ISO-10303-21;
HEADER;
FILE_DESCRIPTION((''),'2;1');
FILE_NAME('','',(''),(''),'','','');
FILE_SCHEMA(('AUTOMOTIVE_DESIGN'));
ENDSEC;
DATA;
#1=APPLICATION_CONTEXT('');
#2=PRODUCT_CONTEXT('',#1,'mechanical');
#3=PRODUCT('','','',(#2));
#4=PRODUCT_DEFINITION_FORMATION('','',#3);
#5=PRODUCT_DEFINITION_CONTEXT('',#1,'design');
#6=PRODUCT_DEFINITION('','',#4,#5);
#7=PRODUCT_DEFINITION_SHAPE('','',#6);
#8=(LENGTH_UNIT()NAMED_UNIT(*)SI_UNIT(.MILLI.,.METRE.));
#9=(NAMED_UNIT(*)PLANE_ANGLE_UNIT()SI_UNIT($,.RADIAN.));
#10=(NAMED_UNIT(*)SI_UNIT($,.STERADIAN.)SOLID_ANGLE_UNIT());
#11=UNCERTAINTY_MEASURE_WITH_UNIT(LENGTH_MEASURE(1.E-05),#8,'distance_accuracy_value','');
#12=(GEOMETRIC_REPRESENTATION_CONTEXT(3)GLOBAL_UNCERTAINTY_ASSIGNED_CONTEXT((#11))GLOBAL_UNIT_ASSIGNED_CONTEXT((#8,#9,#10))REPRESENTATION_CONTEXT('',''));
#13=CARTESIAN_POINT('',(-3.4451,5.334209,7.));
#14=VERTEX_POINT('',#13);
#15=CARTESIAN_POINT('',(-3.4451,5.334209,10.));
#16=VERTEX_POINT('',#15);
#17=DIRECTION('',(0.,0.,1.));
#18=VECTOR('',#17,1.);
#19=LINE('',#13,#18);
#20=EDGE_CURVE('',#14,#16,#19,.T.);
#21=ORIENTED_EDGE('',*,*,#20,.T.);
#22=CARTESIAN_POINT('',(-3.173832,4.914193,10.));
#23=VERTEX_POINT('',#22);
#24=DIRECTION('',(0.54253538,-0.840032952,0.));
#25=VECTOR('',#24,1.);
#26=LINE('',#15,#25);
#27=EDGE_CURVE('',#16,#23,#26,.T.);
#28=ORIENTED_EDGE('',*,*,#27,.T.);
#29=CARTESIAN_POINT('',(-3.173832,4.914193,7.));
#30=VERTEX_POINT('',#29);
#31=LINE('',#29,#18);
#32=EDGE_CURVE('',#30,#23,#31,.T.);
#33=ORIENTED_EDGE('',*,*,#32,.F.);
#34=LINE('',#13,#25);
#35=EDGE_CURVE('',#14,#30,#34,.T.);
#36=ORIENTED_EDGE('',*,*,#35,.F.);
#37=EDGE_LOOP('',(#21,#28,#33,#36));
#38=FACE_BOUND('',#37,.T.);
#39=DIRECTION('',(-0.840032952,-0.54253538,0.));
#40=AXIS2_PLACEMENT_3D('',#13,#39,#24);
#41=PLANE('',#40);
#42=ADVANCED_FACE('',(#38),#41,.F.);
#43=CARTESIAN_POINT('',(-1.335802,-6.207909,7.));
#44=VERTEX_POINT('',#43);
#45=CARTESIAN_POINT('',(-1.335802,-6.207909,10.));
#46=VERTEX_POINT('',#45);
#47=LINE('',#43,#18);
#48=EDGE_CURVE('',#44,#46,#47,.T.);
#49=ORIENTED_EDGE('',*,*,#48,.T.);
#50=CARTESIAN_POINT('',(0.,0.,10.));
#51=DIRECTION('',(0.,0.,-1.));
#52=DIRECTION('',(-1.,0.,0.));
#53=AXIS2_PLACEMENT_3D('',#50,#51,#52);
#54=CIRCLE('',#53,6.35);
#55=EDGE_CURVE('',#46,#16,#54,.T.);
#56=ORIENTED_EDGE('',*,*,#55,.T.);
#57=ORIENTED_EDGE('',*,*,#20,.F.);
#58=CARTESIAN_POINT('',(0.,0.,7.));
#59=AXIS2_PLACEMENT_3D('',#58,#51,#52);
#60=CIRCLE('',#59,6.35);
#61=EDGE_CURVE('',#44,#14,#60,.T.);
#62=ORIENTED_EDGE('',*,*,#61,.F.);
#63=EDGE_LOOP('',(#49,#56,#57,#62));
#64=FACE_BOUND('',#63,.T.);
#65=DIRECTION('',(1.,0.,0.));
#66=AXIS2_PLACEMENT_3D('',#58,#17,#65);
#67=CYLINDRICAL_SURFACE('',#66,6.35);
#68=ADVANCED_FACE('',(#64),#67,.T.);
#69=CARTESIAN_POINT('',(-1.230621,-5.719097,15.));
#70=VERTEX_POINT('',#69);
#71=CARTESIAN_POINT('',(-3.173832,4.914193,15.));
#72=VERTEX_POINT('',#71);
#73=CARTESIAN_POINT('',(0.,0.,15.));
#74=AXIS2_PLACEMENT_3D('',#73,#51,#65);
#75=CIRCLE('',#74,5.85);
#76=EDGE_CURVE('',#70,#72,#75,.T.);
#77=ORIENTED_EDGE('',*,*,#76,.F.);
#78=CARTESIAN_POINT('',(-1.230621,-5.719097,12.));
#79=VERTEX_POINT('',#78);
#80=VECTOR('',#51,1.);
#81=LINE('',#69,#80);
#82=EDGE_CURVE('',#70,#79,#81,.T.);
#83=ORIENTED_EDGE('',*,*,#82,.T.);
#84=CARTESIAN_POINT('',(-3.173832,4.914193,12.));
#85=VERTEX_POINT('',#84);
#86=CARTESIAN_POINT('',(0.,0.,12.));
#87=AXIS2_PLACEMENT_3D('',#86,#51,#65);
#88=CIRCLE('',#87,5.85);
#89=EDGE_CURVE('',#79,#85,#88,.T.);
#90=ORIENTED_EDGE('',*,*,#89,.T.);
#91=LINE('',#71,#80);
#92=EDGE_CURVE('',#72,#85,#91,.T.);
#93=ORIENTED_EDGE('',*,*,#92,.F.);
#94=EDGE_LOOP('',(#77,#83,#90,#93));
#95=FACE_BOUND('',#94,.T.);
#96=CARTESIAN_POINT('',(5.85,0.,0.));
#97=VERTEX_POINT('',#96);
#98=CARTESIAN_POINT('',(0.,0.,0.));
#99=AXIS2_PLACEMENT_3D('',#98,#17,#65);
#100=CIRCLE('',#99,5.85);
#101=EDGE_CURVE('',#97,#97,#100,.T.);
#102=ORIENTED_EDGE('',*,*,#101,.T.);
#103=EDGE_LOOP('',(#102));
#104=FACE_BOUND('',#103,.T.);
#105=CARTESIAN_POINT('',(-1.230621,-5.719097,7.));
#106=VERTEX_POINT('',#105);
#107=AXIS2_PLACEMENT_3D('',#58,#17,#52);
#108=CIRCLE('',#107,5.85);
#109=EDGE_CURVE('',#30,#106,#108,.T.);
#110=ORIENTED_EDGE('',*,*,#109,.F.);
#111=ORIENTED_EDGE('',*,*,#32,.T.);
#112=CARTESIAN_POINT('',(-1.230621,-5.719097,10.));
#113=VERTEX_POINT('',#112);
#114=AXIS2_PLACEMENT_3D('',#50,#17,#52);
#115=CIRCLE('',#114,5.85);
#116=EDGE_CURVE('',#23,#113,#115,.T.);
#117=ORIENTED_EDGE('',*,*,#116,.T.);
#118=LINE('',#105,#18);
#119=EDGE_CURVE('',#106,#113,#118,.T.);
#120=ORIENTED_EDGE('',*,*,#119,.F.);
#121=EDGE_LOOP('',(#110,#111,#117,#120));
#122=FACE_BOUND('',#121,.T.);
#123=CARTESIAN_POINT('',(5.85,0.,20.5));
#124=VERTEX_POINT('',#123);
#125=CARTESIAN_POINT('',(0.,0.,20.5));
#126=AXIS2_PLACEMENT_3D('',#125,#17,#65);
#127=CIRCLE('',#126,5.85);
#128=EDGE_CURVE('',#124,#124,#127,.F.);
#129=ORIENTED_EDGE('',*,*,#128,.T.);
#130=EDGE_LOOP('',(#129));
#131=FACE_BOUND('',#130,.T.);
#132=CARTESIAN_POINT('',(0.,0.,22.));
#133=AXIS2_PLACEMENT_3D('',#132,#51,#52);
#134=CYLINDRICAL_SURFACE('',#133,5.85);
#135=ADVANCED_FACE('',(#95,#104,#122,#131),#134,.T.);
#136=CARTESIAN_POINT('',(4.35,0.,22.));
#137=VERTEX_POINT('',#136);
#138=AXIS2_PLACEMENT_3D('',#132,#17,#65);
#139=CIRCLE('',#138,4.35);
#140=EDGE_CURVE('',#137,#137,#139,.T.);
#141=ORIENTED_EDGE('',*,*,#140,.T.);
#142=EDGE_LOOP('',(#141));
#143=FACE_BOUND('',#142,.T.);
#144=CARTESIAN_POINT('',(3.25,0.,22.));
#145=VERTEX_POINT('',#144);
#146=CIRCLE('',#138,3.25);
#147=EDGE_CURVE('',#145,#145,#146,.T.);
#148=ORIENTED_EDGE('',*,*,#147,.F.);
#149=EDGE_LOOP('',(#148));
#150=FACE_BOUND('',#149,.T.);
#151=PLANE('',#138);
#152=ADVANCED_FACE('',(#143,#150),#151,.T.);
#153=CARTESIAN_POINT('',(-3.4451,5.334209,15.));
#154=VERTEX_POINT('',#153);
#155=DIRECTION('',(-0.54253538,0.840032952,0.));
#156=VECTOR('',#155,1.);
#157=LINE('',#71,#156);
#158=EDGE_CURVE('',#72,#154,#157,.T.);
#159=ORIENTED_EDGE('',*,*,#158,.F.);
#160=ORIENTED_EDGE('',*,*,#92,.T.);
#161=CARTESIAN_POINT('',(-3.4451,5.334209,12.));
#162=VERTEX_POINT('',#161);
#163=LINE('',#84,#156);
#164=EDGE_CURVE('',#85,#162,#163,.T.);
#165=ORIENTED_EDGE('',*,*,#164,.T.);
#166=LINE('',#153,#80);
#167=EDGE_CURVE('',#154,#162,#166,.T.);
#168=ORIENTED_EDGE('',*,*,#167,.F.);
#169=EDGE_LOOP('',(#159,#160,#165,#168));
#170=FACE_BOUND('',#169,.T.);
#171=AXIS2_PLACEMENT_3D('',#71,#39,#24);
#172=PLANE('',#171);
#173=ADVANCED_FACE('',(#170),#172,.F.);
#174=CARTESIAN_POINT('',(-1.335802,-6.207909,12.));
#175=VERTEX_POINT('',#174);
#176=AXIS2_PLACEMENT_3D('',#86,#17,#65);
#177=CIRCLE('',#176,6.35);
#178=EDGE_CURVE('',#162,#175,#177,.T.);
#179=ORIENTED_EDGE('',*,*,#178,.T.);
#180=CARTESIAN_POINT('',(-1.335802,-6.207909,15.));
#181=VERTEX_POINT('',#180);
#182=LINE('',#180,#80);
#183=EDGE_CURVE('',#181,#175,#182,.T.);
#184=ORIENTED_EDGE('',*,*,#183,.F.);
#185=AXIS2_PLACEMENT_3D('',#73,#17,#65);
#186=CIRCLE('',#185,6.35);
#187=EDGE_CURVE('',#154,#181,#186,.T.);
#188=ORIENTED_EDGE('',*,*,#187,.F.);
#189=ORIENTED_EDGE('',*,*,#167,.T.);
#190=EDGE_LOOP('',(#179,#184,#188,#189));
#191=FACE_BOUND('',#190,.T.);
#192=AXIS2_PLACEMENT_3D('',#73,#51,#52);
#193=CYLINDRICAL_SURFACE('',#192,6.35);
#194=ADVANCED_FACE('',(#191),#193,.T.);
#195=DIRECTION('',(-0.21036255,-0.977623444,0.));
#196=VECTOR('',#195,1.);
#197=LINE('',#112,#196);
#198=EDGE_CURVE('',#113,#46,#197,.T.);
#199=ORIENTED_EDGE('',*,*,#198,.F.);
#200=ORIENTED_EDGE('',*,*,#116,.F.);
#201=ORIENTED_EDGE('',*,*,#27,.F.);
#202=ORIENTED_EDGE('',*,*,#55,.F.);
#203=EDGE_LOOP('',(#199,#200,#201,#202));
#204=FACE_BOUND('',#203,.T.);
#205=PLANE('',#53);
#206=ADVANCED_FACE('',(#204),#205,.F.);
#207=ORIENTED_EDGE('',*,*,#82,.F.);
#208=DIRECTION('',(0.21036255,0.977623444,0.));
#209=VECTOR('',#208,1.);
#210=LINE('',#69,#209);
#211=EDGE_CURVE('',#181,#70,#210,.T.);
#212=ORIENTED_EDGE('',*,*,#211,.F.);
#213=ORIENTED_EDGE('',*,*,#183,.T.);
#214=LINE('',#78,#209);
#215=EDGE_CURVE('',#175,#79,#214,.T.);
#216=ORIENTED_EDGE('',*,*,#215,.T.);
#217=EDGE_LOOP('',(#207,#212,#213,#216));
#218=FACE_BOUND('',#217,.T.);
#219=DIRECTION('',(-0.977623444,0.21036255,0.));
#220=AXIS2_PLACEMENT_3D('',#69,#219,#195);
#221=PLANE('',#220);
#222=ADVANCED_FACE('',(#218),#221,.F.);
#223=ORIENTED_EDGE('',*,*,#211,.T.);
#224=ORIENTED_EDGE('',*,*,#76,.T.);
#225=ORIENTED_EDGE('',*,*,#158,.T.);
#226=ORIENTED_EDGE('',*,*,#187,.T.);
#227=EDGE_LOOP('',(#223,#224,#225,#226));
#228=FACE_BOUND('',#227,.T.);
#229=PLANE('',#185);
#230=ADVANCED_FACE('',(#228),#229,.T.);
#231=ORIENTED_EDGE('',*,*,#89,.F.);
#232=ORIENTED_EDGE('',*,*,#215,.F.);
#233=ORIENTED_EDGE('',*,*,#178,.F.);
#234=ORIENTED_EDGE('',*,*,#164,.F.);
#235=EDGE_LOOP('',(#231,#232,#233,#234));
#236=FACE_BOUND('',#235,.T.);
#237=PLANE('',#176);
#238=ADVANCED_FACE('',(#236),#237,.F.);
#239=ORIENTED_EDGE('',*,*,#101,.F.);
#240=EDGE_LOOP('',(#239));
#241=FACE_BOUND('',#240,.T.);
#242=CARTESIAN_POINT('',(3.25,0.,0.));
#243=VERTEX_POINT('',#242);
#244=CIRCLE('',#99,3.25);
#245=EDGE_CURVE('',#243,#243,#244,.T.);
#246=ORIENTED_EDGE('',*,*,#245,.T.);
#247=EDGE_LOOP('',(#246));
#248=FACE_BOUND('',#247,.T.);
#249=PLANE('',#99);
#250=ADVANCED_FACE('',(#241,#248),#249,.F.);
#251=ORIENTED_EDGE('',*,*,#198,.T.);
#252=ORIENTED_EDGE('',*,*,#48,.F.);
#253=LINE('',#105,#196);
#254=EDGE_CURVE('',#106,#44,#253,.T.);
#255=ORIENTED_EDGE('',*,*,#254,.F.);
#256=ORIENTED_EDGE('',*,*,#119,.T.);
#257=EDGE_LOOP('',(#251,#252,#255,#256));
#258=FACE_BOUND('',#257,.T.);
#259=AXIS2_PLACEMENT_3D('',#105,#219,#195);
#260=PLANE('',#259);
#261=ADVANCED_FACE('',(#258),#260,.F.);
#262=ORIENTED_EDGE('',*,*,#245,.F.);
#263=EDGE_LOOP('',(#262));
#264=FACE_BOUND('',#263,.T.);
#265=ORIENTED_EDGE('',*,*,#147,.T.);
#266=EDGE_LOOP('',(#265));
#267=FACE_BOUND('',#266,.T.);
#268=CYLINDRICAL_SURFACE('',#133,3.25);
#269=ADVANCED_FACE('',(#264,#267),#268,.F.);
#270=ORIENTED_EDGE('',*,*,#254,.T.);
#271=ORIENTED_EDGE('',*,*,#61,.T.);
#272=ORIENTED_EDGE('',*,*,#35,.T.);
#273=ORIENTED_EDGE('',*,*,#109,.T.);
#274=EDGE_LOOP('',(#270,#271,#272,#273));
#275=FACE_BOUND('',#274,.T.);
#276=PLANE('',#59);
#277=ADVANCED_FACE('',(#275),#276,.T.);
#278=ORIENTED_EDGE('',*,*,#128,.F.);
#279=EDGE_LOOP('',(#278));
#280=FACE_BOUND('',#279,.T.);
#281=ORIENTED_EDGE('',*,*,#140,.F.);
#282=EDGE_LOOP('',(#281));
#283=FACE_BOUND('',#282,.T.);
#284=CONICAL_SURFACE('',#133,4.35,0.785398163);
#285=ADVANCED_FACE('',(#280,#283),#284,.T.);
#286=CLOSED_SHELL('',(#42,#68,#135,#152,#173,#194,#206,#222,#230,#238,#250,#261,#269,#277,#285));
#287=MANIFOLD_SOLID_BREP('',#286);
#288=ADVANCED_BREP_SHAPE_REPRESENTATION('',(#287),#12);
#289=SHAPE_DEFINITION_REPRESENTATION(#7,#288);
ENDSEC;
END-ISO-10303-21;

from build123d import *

# Parameters (mm, degrees)
SKETCH_1_R      = 5.85
SKETCH_1_R_2    = 3.25
EXTRUDE_1_DEPTH = 22
CHAMFER_1_SIZE  = 1.5
EXTRUDE_START   = -10
EXTRUDE_2_DEPTH = 3
EXTRUDE_START_2 = 5
EXTRUDE_3_DEPTH = 3


with BuildPart() as part:
    # 草图1 → 凸台-拉伸1 (new body)
    with BuildSketch(Plane.XY):
        Circle(SKETCH_1_R)
        Circle(SKETCH_1_R_2, mode=Mode.SUBTRACT)
    extrude(amount=EXTRUDE_1_DEPTH)

    # 倒角1
    chamfer_1_edges = [part.edges().sort_by_distance(p)[0] for p in [
        (-5.85, 0, 22),
    ]]
    chamfer(chamfer_1_edges, length=CHAMFER_1_SIZE)

    # 草图2 → 凸台-拉伸2 (add)
    with BuildSketch(Plane.XY.offset(22).offset(EXTRUDE_START)):
        with BuildLine():
            Line((-3.173831975, 4.914192771), (-3.445099666, 5.334209247))
            ThreePointArc((-3.445099666, 5.334209247), (-6.246549311, -1.141543565), (-1.335802196, -6.207908866))
            Line((-1.335802196, -6.207908866), (-1.23062092, -5.719097145))
            ThreePointArc((-1.23062092, -5.719097145), (-5.754695034, -1.051658245), (-3.173831975, 4.914192771))
        make_face()
    extrude(amount=EXTRUDE_2_DEPTH)

    # 草图3 → 凸台-拉伸3 (add)
    with BuildSketch(Plane(origin=(0, 0, 12), x_dir=(-1, 0, 0), z_dir=(0, 0, -1)).offset(EXTRUDE_START_2)):
        with BuildLine():
            Line((1.23062092, -5.719097145), (1.335802196, -6.207908866))
            ThreePointArc((1.335802196, -6.207908866), (6.246549311, -1.141543565), (3.445099666, 5.334209247))
            Line((3.445099666, 5.334209247), (3.173831975, 4.914192771))
            ThreePointArc((3.173831975, 4.914192771), (5.754695034, -1.051658245), (1.23062092, -5.719097145))
        make_face()
    extrude(amount=-EXTRUDE_3_DEPTH)


solid = part.part
